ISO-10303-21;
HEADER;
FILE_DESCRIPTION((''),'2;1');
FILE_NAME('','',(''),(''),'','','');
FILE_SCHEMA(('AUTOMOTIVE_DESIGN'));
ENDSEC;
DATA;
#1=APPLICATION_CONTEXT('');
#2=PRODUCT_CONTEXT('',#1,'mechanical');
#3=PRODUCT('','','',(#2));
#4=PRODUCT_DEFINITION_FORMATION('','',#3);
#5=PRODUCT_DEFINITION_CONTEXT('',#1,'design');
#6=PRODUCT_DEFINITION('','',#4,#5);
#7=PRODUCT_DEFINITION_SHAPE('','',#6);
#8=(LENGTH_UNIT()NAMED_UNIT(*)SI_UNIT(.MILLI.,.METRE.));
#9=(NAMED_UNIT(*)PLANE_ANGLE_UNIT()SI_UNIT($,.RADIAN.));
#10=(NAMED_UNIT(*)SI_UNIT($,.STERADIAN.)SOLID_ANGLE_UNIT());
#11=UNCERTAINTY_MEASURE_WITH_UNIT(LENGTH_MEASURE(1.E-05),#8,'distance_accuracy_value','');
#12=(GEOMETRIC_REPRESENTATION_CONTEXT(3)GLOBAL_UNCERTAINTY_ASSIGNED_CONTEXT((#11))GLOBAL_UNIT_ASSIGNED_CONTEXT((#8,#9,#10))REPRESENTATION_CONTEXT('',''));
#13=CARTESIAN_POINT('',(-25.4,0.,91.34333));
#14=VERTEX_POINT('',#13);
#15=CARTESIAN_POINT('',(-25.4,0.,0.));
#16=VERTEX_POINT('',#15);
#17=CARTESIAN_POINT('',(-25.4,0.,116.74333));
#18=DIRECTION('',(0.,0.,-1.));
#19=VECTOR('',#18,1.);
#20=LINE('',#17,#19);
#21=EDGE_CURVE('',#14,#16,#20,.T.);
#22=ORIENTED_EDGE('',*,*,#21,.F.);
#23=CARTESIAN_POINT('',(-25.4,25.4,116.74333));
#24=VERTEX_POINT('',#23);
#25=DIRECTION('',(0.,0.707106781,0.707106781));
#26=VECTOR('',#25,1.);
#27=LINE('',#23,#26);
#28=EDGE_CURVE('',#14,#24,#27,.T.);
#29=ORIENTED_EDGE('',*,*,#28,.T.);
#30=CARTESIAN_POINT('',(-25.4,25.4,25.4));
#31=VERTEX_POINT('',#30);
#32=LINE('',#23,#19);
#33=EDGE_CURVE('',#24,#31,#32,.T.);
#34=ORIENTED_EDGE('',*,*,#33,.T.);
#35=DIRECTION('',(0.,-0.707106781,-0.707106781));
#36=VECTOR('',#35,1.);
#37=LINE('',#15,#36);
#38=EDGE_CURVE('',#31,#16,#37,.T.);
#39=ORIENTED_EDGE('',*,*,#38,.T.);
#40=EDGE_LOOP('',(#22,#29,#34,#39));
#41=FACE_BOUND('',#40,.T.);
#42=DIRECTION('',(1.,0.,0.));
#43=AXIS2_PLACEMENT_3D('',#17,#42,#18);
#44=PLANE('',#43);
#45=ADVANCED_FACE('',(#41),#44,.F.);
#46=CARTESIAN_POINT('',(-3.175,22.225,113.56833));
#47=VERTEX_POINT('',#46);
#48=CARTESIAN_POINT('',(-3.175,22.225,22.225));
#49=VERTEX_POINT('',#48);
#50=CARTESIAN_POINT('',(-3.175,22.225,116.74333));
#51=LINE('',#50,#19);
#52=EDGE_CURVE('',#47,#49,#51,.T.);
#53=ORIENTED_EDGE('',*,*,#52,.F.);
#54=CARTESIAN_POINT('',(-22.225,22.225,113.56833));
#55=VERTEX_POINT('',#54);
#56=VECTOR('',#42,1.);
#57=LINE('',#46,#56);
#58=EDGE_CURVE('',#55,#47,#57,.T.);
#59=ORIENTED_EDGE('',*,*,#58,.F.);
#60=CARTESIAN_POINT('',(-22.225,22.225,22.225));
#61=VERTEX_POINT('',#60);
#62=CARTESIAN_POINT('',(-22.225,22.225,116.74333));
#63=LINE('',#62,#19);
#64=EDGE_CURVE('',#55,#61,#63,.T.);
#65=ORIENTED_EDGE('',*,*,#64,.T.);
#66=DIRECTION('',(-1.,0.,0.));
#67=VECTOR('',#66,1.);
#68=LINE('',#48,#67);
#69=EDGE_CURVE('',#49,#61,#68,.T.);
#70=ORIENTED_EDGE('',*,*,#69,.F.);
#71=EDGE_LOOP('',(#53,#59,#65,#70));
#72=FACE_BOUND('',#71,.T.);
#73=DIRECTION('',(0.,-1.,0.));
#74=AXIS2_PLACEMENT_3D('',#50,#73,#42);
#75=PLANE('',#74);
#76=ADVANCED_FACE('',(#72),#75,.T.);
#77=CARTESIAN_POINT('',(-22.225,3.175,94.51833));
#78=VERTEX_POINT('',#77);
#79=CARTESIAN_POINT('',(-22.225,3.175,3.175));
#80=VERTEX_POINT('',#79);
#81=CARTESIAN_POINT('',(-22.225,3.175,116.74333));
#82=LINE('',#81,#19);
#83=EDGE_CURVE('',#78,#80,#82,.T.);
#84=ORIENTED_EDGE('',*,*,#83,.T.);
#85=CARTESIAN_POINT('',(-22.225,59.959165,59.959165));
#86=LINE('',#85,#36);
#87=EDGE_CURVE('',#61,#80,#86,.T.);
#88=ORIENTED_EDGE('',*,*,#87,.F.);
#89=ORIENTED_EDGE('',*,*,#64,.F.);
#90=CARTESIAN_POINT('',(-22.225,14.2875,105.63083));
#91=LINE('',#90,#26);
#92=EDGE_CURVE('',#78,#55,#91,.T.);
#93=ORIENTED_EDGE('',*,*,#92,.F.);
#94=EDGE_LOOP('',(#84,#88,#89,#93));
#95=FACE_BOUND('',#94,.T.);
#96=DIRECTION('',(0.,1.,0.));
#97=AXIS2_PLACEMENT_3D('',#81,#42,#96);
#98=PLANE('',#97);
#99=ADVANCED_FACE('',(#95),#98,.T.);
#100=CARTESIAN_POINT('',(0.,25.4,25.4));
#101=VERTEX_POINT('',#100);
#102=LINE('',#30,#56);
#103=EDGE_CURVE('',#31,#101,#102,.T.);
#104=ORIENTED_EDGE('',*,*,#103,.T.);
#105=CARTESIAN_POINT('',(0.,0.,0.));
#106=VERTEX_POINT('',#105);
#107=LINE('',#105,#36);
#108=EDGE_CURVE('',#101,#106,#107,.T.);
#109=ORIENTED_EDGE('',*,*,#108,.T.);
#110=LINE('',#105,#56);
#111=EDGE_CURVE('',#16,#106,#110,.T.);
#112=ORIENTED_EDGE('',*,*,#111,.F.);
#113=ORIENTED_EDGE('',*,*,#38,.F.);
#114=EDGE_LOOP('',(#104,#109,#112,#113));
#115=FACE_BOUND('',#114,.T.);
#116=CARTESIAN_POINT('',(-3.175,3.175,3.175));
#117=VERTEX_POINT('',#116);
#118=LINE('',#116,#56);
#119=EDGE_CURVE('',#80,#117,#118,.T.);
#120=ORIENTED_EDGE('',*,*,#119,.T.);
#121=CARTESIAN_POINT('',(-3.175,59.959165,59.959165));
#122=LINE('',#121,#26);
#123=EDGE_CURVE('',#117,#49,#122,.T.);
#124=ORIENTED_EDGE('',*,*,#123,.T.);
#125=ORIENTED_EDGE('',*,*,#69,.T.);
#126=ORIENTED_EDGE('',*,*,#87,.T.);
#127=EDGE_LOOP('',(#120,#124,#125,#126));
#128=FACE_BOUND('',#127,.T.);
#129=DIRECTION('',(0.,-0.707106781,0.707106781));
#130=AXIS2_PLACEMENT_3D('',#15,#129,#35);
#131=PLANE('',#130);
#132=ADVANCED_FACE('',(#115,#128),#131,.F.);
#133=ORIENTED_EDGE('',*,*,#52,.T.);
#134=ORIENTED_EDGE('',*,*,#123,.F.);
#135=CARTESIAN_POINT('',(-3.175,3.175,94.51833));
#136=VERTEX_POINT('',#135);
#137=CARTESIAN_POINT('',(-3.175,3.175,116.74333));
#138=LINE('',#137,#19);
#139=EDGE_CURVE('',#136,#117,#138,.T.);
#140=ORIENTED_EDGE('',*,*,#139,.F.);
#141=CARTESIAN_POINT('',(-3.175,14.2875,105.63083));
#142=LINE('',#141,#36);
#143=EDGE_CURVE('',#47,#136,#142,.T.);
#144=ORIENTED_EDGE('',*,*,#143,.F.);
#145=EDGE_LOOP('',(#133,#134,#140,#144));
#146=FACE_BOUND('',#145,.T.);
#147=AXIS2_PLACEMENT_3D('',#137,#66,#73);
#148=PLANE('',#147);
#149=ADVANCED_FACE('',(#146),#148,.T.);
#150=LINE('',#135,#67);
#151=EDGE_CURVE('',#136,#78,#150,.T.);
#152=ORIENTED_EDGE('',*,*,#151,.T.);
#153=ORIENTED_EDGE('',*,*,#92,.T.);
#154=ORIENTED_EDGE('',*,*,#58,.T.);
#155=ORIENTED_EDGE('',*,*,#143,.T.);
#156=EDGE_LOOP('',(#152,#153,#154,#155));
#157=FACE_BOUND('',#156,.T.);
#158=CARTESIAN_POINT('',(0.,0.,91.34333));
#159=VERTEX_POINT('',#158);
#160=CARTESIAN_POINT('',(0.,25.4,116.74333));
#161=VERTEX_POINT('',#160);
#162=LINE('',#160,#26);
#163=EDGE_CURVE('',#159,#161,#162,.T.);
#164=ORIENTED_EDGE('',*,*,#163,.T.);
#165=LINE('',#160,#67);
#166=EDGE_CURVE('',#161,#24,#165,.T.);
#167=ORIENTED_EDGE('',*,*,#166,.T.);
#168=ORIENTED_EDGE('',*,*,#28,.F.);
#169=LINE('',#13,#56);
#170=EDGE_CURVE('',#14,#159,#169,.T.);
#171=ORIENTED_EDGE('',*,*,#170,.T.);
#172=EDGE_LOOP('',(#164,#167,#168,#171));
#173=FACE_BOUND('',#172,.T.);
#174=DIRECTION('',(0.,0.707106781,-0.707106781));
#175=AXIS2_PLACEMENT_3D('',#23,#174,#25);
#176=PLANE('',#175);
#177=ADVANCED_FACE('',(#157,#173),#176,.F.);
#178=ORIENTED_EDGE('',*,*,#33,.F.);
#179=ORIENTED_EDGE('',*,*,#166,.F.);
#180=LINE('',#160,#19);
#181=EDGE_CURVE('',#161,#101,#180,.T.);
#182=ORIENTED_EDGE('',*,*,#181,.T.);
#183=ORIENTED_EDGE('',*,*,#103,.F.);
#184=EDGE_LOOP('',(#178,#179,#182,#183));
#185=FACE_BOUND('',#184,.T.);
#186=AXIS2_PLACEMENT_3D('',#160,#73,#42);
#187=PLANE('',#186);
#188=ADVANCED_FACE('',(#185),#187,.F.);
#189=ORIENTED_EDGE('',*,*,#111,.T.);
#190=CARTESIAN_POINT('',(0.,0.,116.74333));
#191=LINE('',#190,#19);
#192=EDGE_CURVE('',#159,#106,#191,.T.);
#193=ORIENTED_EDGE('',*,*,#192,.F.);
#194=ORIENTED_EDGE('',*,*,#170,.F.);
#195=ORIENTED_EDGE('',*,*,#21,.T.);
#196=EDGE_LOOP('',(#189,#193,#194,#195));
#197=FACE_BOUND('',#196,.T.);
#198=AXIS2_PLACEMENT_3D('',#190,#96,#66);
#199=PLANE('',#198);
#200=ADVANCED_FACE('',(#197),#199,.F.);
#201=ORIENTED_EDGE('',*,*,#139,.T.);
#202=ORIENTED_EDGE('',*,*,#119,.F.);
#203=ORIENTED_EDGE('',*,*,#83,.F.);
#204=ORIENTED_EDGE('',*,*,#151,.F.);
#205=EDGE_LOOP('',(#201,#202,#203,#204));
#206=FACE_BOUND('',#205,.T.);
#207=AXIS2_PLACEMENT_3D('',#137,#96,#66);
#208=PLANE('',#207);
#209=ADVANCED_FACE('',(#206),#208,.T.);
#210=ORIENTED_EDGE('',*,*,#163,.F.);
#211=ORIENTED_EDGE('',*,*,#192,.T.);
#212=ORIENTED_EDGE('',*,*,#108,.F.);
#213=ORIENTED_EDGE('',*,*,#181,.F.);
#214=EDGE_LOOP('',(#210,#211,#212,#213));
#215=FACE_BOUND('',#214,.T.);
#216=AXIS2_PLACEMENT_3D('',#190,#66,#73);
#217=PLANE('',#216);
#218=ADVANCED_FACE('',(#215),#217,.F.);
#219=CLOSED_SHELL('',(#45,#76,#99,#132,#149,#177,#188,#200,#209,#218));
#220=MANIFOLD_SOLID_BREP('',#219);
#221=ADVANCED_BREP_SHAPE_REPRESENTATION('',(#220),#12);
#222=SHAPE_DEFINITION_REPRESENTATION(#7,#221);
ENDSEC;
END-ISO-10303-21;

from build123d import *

# Parameters (mm, degrees)
SKETCH1_W           = 25.4
SKETCH1_H           = 25.4
SKETCH1_W_2         = 19.05
SKETCH1_H_2         = 19.05
BOSS_EXTRUDE1_DEPTH = 116.743329574
CUT_EXTRUDE1_DEPTH  = 123.144688792


with BuildPart() as part:
    # Sketch1 → Boss-Extrude1 (new body)
    with BuildSketch(Plane.XY):
        with Locations((-12.7, 12.7)):
            Rectangle(SKETCH1_W, SKETCH1_H)
        with Locations((-12.7, 12.7)):
            Rectangle(SKETCH1_W_2, SKETCH1_H_2, mode=Mode.SUBTRACT)
    extrude(amount=BOSS_EXTRUDE1_DEPTH)

    # Sketch2 → Cut-Extrude1 (cut, through all)
    with BuildSketch(Plane(origin=(0, 0, 0), x_dir=(0, 0, -1), z_dir=(1, 0, 0))):
        Polygon((-116.743329574, 25.4), (-91.343329574, 0), (-116.743329574, 0), align=None)
        Polygon((0, 0), (-25.4, 25.4), (0, 25.4), align=None)
    extrude(amount=-CUT_EXTRUDE1_DEPTH, mode=Mode.SUBTRACT)


solid = part.part
